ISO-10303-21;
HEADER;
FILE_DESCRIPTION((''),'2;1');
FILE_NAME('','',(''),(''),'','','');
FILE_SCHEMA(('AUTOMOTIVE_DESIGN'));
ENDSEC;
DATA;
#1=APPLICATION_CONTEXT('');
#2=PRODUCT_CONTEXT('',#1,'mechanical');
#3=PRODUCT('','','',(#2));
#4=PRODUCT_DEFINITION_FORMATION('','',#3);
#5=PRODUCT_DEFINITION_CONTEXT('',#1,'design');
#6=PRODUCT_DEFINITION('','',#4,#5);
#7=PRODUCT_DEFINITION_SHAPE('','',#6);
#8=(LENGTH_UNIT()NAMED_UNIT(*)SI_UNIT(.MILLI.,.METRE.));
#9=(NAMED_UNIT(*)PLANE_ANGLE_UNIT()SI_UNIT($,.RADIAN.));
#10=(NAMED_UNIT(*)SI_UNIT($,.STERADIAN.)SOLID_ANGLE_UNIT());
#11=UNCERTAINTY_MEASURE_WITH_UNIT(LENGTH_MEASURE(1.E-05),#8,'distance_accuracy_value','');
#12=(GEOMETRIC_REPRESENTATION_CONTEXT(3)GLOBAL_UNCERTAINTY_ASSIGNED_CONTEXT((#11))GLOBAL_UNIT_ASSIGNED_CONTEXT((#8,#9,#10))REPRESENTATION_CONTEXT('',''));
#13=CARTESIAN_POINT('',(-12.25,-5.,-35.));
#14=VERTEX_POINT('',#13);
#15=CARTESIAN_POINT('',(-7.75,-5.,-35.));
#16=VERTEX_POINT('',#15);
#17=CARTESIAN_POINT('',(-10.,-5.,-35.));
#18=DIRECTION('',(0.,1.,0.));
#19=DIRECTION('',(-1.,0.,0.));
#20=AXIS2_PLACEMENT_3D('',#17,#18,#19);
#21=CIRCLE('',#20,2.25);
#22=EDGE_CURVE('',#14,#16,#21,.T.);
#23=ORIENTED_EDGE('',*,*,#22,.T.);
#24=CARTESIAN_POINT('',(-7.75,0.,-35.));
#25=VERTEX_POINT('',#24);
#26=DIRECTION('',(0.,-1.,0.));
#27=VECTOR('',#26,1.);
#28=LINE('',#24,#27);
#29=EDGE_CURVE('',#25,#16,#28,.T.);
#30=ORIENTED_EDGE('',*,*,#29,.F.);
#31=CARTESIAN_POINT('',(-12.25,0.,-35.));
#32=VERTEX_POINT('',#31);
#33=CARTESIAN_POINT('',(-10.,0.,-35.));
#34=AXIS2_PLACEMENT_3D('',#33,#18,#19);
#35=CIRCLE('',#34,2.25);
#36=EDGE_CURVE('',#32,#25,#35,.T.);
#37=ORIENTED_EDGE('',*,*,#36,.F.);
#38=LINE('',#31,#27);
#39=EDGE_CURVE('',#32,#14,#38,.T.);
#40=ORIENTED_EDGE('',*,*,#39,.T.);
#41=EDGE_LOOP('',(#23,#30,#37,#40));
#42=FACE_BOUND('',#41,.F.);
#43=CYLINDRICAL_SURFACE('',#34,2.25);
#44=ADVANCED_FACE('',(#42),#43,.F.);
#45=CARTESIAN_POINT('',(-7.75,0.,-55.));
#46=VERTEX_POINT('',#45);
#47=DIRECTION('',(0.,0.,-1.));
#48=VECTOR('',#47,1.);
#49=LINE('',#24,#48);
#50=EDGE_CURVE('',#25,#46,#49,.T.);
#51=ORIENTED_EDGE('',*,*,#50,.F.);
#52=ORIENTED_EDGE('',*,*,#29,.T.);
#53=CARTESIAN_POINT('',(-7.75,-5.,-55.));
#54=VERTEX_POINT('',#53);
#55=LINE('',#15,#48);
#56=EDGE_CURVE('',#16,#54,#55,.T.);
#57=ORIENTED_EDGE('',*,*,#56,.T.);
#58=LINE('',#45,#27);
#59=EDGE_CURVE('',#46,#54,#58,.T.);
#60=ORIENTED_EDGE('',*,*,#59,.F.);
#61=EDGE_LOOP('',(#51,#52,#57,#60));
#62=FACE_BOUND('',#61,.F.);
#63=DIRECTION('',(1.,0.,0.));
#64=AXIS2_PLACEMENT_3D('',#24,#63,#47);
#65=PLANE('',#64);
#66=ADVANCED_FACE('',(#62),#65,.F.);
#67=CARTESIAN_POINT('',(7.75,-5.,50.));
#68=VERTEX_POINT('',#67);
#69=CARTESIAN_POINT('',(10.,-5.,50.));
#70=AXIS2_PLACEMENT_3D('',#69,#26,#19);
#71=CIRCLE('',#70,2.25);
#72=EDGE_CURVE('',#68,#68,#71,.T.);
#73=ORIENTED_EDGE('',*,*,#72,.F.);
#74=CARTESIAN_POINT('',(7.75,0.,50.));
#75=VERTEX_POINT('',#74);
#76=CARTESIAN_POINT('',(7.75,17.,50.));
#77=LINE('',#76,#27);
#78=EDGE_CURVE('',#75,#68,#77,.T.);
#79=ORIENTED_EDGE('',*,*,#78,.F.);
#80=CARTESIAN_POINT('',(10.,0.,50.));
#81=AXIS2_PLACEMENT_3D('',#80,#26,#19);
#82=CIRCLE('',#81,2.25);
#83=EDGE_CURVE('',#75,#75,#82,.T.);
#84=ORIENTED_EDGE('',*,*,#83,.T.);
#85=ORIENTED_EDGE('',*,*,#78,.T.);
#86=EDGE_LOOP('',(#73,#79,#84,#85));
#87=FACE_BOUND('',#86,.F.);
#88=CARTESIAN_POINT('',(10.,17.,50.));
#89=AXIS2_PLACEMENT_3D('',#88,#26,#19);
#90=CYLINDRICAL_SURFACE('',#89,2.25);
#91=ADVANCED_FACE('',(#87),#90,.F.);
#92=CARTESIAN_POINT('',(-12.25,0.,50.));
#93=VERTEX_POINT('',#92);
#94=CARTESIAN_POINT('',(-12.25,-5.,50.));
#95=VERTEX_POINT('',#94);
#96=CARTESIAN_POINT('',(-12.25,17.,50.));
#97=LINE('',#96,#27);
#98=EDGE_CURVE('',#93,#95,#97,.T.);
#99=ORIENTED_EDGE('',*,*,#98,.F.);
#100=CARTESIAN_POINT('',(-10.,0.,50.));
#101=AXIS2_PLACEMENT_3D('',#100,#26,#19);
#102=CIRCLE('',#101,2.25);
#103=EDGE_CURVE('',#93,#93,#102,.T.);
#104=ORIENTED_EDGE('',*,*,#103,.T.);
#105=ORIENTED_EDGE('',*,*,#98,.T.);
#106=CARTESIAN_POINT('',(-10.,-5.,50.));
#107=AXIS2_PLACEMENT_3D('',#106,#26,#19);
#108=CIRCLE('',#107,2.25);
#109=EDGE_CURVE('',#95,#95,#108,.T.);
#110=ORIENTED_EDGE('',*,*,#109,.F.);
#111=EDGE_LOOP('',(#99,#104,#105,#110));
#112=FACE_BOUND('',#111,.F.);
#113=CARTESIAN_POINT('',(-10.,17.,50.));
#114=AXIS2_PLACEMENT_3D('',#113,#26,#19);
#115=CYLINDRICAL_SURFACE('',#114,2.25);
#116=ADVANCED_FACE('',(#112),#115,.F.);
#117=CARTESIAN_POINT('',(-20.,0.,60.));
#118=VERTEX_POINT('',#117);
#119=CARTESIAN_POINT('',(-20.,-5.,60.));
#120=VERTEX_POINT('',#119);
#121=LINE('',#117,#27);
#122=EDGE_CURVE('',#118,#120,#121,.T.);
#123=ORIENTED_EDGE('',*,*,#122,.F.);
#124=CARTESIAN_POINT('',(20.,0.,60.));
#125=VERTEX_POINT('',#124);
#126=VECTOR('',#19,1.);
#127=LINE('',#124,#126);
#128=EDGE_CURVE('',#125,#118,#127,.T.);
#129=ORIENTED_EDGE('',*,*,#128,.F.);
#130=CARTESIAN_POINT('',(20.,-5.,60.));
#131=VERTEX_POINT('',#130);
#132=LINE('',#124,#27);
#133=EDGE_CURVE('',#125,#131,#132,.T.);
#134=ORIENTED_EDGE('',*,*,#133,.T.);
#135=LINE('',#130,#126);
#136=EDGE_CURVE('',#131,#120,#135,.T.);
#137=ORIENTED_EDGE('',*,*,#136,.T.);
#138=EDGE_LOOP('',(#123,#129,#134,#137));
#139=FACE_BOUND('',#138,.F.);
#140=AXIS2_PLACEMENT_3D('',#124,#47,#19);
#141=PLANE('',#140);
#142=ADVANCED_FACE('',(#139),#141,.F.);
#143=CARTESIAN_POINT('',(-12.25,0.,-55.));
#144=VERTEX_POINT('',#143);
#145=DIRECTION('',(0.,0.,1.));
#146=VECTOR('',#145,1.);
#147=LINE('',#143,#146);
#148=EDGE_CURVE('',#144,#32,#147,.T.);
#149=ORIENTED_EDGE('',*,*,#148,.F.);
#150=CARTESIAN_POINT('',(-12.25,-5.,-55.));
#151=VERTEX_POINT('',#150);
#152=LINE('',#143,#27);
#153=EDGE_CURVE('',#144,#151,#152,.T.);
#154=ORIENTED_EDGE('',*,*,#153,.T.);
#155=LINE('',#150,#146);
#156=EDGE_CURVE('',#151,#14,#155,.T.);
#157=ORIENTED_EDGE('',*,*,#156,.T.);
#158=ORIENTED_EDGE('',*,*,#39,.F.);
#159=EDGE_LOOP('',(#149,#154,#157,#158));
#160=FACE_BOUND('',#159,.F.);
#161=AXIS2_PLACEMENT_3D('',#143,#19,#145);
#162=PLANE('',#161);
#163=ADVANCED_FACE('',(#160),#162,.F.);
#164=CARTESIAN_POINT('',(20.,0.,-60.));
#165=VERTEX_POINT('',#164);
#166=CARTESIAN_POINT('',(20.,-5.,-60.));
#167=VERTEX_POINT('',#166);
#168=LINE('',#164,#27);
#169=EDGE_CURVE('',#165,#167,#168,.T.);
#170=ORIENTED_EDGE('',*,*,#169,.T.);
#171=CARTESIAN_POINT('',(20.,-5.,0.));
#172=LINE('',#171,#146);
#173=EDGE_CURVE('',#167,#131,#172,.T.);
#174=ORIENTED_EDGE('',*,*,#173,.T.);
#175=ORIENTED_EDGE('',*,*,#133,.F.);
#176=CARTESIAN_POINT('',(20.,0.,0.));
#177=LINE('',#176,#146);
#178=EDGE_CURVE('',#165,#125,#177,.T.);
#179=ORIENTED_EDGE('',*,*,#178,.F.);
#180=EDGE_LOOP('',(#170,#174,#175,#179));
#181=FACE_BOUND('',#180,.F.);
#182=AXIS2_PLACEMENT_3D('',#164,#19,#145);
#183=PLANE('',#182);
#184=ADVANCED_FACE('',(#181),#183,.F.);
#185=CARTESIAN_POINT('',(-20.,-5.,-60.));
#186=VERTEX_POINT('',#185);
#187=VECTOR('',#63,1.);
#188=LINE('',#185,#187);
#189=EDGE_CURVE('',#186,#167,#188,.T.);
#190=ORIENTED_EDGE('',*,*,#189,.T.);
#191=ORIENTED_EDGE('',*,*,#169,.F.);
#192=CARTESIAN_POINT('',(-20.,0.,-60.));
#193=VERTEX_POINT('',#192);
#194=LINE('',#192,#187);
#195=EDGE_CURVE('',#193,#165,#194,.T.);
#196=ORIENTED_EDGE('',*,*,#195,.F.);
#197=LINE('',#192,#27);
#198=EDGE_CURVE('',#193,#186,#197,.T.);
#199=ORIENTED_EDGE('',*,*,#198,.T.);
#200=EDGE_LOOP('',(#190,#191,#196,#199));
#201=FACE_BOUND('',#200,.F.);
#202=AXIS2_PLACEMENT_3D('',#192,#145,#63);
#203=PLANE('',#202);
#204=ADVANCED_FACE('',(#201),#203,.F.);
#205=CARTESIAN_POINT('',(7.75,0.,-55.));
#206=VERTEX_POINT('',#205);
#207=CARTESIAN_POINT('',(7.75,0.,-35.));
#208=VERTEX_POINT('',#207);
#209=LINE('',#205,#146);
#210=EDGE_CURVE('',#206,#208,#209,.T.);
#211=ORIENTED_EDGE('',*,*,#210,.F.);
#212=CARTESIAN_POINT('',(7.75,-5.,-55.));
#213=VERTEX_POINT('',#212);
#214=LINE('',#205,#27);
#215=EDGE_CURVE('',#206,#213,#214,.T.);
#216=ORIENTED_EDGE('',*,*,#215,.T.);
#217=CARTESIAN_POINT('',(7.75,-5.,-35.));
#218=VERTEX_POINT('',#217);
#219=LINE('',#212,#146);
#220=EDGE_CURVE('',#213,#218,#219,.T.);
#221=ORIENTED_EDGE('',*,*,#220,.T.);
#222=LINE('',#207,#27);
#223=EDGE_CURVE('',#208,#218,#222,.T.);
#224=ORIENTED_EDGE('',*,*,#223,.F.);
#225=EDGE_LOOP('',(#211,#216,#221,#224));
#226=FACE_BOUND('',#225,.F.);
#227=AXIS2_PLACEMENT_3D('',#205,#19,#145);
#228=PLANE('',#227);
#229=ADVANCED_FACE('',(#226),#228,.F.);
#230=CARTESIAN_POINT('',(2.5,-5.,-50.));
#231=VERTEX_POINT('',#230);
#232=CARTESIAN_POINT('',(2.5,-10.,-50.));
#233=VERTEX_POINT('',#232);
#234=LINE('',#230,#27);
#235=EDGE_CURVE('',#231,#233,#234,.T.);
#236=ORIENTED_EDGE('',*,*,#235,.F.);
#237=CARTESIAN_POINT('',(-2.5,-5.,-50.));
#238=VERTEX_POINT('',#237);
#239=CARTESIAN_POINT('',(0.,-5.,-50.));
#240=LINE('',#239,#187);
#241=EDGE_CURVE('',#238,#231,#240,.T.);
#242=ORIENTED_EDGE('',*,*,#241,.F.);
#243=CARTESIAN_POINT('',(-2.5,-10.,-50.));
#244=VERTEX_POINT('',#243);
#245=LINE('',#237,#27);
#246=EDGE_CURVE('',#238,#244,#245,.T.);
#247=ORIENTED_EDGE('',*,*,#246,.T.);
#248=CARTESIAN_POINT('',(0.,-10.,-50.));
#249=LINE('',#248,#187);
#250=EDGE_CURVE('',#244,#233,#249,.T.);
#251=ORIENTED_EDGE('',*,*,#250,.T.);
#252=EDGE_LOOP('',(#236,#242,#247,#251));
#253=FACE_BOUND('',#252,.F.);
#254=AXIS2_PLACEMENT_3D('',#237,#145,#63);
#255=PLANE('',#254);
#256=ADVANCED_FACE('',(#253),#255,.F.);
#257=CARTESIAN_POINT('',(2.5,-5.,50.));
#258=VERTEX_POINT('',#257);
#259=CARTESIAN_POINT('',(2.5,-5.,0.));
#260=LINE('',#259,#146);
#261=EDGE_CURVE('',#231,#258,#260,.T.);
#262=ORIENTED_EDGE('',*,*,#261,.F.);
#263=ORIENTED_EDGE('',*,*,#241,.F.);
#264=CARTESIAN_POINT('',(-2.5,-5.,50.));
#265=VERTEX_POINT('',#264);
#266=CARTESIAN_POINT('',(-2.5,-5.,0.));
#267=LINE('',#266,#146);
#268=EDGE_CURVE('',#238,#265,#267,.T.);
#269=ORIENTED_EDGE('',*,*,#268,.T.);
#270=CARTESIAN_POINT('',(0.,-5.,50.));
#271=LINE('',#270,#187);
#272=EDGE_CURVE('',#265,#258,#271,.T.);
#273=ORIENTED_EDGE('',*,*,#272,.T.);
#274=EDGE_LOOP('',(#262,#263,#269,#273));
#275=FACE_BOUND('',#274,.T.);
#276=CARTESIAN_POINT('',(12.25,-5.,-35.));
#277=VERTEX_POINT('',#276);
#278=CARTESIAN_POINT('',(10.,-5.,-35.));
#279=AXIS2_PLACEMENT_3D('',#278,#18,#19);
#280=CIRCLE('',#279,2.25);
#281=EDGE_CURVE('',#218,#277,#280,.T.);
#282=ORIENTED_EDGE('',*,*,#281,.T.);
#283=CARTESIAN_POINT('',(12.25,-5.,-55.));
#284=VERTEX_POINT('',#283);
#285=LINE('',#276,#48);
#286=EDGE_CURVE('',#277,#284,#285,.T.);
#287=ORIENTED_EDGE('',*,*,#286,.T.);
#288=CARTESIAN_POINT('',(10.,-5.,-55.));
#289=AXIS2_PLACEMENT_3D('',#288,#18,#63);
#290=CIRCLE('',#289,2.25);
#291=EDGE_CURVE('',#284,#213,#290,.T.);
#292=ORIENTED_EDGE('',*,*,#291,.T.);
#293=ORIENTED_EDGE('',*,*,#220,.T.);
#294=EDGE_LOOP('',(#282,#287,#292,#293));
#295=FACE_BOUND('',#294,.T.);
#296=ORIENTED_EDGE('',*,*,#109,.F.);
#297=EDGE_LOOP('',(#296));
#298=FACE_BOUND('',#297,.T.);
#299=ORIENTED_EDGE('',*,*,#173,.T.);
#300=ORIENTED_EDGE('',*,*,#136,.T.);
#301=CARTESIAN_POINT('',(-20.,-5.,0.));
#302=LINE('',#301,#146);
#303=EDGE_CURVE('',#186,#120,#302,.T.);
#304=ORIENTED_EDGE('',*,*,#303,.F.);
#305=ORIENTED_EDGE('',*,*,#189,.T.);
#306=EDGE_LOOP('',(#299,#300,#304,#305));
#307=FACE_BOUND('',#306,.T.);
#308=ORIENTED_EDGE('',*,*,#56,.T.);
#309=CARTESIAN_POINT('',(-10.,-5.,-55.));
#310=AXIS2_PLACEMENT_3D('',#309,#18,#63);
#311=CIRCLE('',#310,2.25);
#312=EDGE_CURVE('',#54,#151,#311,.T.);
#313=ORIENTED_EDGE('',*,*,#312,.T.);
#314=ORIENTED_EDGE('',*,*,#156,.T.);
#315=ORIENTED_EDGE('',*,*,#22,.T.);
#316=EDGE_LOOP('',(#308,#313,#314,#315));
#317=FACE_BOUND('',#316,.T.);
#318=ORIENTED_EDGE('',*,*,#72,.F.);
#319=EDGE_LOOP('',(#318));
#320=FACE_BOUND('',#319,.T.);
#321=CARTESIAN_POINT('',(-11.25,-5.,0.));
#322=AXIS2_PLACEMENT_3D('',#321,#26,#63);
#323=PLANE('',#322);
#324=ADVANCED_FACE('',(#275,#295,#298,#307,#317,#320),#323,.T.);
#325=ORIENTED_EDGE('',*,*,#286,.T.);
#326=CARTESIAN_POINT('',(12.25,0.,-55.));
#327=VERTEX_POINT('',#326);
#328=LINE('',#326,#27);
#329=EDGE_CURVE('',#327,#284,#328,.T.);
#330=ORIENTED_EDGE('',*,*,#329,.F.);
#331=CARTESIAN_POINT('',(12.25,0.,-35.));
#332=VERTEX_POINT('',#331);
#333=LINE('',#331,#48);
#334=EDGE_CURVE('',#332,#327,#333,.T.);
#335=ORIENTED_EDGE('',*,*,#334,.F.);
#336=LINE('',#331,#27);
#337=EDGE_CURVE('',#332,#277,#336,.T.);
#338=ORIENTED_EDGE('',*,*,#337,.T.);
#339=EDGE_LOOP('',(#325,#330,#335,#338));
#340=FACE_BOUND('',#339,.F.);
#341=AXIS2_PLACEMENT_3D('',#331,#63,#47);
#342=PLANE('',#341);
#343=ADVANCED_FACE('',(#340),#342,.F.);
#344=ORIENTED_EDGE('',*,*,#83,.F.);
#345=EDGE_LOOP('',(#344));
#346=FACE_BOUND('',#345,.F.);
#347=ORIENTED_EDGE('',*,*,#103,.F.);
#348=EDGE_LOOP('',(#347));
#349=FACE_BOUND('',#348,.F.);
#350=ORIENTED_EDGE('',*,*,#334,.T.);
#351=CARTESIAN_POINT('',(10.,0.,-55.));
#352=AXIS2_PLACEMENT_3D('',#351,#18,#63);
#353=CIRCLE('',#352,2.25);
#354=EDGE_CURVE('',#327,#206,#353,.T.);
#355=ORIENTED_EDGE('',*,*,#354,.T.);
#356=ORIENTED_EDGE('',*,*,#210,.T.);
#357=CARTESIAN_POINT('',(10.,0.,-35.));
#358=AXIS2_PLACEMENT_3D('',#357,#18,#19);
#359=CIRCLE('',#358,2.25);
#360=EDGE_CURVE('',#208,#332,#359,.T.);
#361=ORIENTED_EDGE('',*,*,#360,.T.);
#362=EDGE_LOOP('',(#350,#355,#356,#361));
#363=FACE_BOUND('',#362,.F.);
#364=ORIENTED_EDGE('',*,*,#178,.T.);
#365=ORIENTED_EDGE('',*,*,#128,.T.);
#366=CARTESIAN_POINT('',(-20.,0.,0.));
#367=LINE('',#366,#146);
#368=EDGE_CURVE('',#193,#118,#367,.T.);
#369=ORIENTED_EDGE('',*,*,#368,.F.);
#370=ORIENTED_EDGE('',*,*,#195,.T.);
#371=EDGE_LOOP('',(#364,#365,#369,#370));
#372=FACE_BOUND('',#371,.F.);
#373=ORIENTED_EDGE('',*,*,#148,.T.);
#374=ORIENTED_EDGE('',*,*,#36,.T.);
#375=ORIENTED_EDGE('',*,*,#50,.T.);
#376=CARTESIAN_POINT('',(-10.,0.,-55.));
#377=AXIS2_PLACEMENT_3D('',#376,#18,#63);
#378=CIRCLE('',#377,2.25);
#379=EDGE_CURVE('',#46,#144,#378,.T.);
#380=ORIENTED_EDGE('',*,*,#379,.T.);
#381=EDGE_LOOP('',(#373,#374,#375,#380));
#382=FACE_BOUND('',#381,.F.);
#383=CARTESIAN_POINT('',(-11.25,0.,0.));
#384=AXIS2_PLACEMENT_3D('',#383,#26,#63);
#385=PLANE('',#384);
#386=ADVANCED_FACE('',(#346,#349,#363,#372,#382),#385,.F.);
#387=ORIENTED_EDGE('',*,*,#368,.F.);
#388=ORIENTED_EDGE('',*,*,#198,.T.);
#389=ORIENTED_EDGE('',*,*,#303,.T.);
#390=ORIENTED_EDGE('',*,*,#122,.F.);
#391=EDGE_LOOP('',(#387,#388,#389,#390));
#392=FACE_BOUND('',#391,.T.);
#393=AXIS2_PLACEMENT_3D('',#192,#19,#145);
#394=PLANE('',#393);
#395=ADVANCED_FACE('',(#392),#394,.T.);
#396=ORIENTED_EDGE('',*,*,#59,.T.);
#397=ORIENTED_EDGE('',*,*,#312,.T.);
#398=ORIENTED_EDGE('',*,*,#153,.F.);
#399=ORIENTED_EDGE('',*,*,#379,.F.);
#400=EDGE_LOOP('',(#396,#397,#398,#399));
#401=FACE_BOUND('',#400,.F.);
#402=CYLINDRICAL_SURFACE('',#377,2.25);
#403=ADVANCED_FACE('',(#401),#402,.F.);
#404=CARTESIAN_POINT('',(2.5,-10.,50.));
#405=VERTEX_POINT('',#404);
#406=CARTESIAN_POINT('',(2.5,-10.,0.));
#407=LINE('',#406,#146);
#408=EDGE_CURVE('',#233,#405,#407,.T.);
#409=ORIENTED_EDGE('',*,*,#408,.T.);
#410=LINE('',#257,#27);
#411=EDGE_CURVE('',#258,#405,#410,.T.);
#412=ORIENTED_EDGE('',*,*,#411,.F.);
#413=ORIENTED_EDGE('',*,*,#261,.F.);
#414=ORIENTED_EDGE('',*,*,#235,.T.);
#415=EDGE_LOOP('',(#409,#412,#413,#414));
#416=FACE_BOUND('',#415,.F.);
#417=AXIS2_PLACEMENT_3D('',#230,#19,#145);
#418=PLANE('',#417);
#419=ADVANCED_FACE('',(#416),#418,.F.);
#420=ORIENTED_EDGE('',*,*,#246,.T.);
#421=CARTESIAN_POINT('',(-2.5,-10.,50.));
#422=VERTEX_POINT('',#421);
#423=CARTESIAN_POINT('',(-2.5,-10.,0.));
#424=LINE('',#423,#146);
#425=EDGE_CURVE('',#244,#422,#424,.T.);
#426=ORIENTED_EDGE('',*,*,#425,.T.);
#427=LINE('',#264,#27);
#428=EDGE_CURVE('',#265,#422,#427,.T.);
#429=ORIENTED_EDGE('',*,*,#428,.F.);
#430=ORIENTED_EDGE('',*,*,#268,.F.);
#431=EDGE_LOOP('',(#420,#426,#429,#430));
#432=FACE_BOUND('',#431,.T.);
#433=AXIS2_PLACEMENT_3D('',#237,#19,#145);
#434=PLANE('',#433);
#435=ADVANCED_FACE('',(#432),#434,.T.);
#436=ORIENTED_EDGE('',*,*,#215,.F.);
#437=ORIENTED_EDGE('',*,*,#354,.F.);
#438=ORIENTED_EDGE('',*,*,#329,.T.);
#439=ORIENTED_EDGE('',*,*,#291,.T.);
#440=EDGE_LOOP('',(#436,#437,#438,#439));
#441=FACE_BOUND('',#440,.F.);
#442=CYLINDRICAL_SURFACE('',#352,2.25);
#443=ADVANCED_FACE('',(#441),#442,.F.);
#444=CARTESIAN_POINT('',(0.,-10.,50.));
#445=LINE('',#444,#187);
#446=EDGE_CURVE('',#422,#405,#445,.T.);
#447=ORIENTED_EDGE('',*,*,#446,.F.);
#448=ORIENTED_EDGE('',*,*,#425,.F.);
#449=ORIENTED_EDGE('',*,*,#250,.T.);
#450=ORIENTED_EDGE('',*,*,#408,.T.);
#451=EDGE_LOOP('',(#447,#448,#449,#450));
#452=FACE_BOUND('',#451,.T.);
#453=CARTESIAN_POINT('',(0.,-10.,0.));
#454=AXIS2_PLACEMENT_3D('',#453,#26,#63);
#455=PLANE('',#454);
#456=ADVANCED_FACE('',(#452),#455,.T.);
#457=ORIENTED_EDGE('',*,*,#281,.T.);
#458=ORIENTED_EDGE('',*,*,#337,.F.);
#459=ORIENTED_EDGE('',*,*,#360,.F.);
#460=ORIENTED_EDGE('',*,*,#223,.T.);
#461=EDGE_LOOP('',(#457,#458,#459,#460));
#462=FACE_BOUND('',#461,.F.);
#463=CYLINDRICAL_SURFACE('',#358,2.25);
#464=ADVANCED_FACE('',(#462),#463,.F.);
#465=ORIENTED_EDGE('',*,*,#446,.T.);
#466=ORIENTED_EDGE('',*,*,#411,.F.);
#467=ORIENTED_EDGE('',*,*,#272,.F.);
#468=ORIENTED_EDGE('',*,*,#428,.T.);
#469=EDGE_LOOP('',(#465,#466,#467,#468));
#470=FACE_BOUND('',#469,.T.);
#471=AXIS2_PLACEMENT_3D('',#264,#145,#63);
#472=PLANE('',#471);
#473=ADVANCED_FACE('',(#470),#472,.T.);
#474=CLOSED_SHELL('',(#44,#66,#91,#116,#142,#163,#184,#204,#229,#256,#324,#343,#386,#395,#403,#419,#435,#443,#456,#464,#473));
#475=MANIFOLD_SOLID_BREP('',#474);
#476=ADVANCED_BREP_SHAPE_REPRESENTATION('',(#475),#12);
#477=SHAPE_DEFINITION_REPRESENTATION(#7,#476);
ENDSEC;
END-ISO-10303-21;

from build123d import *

# Parameters (mm, degrees)
F0_W     = 17.5
F0_H     = 120
F0_W_2   = 5
F1_DEPTH = 5
F2_W     = 5
F2_H     = 100
F3_DEPTH = 5
F4_D     = 4.5
F4_DEPTH = 17
F4_TIP   = 1.3519363928


with BuildPart() as f1:
    # F0 (on Front) → F1 (new body)
    with BuildSketch(Plane.XZ):
        with Locations((-11.25, 0)):
            Rectangle(F0_W, F0_H)
        with BuildLine():
            Line((-7.75, -35), (-7.75, -55))
            ThreePointArc((-7.75, -55), (-10, -57.25), (-12.25, -55))
            Line((-12.25, -55), (-12.25, -35))
            ThreePointArc((-12.25, -35), (-10, -32.75), (-7.75, -35))
        make_face(mode=Mode.SUBTRACT)
        Rectangle(F0_W_2, F0_H)
        with Locations((11.25, 0)):
            Rectangle(F0_W, F0_H)
        with BuildLine():
            Line((12.25, -35), (12.25, -55))
            ThreePointArc((12.25, -55), (10, -57.25), (7.75, -55))
            Line((7.75, -55), (7.75, -35))
            ThreePointArc((7.75, -35), (10, -32.75), (12.25, -35))
        make_face(mode=Mode.SUBTRACT)
    extrude(amount=F1_DEPTH)

    # F2 (on face) → F3 (join)
    with BuildSketch(Plane.XZ.offset(5)):
        Rectangle(F2_W, F2_H)
    extrude(amount=F3_DEPTH)

    # F4
    with Locations(Plane(origin=(0, 0, 0), x_dir=(1, 0, 0), z_dir=(0, 1, 0))):
        with Locations((10, -50), (-10, -50)):
            Hole(F4_D / 2, depth=F4_DEPTH)
            with Locations((0, 0, -(F4_DEPTH + F4_TIP / 2))):  # 118° drill point
                Cone(0, F4_D / 2, F4_TIP, mode=Mode.SUBTRACT)


solid = f1.part
